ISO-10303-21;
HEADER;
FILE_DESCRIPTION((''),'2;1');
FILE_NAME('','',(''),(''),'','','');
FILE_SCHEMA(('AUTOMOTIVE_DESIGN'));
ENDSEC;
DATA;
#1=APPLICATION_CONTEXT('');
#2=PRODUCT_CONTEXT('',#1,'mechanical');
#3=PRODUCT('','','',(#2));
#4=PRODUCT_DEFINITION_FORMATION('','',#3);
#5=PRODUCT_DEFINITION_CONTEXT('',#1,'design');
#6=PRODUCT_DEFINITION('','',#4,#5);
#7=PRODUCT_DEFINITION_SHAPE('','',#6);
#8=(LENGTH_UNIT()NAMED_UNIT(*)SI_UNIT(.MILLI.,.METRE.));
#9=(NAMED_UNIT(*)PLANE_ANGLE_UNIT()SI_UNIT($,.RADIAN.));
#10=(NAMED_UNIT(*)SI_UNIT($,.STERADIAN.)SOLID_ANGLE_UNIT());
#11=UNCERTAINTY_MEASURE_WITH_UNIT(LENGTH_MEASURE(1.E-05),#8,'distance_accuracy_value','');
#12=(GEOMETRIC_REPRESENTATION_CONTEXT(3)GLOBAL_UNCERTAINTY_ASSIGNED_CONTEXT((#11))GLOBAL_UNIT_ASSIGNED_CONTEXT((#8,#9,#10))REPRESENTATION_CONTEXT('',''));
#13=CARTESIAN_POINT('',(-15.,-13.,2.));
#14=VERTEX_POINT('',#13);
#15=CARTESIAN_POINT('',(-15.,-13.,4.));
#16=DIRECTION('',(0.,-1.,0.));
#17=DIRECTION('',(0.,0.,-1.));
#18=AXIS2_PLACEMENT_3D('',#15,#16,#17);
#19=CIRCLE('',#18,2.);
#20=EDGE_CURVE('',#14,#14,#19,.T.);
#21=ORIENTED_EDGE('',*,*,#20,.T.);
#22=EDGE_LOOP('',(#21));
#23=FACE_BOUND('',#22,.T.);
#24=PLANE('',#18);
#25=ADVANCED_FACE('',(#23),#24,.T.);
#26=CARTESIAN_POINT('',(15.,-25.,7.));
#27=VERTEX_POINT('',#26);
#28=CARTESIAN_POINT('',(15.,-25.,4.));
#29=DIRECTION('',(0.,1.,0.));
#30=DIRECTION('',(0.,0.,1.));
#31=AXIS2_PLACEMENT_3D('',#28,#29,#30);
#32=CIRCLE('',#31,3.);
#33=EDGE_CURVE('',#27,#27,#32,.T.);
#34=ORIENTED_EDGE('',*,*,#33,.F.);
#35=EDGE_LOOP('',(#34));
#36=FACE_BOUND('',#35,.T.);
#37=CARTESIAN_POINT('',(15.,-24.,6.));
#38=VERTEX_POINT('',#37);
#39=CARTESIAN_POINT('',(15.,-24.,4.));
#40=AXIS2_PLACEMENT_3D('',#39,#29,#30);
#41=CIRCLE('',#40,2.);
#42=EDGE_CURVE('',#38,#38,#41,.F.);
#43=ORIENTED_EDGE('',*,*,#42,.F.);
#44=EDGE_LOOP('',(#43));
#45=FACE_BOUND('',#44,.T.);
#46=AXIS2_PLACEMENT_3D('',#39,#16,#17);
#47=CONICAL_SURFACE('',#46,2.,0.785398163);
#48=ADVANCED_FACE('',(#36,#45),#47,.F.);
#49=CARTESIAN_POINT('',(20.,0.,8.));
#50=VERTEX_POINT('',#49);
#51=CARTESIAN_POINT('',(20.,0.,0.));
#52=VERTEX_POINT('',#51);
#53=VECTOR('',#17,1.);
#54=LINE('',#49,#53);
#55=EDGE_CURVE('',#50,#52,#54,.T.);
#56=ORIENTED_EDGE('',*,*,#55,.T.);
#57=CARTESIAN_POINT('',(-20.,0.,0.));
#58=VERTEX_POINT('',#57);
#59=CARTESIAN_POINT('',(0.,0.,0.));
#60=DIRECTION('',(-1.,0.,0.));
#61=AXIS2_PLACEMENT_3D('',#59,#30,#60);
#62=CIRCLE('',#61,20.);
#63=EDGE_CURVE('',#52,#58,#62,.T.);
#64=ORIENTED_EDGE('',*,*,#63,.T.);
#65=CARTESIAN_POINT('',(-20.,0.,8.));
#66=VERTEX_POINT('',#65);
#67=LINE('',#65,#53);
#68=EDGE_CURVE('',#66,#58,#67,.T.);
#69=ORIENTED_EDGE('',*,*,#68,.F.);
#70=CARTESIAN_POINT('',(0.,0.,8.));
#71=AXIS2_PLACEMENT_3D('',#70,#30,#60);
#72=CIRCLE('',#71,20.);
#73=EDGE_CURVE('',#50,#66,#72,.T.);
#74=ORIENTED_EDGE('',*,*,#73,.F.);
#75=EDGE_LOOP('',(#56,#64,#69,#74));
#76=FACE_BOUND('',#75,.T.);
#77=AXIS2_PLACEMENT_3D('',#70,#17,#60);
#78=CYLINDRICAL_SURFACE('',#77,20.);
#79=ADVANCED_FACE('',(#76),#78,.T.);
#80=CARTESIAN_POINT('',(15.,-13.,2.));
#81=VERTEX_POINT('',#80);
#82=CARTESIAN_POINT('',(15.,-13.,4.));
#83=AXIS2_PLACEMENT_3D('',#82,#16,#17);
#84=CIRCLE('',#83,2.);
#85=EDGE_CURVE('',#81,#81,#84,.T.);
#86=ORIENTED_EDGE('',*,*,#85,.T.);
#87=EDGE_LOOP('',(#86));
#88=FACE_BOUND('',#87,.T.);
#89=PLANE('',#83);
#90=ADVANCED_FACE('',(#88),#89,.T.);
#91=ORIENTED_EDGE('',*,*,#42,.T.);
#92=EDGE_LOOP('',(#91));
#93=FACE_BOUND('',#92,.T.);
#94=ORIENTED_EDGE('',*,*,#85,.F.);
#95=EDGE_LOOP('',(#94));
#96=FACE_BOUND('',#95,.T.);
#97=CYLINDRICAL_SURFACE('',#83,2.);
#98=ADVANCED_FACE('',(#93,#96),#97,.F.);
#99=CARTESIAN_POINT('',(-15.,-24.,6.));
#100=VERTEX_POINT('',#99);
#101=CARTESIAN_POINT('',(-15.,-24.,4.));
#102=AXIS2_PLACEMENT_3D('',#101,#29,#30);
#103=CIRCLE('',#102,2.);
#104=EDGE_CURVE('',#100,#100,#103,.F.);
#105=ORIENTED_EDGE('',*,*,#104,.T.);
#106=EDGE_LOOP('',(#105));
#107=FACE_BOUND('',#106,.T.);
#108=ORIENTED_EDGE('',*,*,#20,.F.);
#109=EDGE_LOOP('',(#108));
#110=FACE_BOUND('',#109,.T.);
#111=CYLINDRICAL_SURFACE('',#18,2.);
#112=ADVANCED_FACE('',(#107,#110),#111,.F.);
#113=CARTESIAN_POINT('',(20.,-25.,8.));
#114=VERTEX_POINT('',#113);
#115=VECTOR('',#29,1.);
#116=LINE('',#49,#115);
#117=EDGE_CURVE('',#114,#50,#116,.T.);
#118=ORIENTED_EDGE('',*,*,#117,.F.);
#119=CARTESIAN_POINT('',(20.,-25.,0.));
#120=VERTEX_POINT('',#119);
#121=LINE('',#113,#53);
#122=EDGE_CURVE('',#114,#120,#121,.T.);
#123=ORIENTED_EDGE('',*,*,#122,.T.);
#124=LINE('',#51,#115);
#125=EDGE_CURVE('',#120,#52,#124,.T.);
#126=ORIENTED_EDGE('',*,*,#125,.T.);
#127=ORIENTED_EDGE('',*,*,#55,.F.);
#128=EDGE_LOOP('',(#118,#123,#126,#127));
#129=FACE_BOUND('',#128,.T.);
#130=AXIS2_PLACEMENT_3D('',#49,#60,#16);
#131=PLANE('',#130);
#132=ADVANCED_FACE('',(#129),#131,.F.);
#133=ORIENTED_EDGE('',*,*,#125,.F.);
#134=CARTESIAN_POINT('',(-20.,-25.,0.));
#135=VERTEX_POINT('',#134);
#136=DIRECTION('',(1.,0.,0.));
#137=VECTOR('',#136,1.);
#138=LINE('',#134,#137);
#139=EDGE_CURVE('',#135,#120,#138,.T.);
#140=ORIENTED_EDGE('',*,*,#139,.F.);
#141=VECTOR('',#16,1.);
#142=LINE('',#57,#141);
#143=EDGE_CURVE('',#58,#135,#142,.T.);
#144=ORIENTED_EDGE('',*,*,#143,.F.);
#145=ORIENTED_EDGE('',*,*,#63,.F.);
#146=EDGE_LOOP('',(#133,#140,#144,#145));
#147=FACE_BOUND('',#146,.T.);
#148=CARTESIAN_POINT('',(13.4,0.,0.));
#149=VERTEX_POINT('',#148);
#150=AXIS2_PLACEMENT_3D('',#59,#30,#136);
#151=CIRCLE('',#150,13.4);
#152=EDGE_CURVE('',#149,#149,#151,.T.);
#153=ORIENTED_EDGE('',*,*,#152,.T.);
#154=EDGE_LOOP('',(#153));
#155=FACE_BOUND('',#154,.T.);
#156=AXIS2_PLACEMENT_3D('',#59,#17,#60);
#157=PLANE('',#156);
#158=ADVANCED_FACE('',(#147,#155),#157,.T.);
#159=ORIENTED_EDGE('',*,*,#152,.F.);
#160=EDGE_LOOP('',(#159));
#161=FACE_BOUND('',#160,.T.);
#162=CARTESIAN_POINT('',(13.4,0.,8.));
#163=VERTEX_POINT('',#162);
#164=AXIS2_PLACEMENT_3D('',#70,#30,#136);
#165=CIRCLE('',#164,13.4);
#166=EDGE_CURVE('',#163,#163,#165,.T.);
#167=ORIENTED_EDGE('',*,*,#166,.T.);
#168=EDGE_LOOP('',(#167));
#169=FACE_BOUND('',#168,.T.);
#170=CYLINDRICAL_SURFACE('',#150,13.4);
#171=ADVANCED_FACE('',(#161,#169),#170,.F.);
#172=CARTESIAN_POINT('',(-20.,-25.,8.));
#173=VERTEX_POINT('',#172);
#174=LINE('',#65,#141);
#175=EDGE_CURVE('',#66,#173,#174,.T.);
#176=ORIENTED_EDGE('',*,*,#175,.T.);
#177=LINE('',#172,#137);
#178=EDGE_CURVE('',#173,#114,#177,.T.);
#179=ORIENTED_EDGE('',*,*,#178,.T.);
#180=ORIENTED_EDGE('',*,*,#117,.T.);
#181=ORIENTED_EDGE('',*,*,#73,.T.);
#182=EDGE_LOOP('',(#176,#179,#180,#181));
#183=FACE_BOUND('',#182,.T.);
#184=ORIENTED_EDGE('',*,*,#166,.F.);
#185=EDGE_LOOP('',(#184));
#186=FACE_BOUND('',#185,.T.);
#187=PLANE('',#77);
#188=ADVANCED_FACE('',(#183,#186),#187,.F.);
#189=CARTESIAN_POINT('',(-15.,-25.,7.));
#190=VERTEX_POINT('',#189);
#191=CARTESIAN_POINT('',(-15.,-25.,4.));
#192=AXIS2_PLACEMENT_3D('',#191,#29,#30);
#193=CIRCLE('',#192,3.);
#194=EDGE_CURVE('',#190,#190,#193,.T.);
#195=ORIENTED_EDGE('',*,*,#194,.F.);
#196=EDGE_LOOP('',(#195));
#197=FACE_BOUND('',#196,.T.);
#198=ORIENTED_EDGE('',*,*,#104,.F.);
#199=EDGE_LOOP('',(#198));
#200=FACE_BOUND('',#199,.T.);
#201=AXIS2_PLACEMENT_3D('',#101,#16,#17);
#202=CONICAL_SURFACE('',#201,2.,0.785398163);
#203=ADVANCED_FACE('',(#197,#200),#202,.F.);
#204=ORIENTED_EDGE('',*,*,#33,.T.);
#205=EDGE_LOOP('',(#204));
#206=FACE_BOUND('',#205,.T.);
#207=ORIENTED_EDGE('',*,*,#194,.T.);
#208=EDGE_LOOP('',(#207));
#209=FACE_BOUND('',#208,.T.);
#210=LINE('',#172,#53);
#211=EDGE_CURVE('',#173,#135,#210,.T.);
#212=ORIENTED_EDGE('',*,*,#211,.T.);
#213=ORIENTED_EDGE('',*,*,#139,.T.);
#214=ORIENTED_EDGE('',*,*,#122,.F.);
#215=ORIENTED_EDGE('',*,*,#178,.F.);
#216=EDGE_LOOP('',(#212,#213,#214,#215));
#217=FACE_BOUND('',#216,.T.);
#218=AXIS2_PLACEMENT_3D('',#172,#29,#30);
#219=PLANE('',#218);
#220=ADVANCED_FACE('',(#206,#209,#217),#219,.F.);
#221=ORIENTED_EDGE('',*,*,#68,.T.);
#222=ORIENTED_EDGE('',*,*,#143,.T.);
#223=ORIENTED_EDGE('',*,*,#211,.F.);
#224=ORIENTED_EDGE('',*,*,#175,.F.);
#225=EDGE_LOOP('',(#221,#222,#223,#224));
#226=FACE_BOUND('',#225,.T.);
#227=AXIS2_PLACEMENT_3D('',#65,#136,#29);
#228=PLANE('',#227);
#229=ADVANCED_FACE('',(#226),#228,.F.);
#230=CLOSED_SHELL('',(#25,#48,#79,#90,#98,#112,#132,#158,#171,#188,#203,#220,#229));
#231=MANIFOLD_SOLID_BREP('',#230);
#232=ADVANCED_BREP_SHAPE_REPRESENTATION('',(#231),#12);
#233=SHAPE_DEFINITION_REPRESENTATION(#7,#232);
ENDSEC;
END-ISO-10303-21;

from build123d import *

# Parameters (mm, degrees)
ESQUISSE1_R             = 7
ESQUISSE1_R_2           = 1.8
BOSS_EXTRU_1_DEPTH      = 8
ESQUISSE2_R             = 13.4
ENL_V_MAT_EXTRU_1_DEPTH = 9
ESQUISSE3_R             = 2
ENL_V_MAT_EXTRU_2_DEPTH = 12
CHANFREIN1_SIZE         = 1


with BuildPart() as part:
    # Esquisse1 → Boss.-Extru.1 (new body)
    with BuildSketch(Plane.XY):
        with BuildLine():
            Line((-20, 0), (-20, -25))
            Line((-20, -25), (20, -25))
            Line((20, -25), (20, 0))
            ThreePointArc((20, 0), (0, 20), (-20, 0))
        make_face()
        Circle(ESQUISSE1_R, mode=Mode.SUBTRACT)
        with Locations((0, 10)):
            Circle(ESQUISSE1_R_2, mode=Mode.SUBTRACT)
        with Locations((10, 0)):
            Circle(ESQUISSE1_R_2, mode=Mode.SUBTRACT)
        with Locations((0, -10)):
            Circle(ESQUISSE1_R_2, mode=Mode.SUBTRACT)
        with Locations((-10, 0)):
            Circle(ESQUISSE1_R_2, mode=Mode.SUBTRACT)
    extrude(amount=BOSS_EXTRU_1_DEPTH)

    # Esquisse2 → Enlèv. mat.-Extru.1 (cut, through all)
    with BuildSketch(Plane.XY.offset(8)):
        Circle(ESQUISSE2_R)
    extrude(amount=-ENL_V_MAT_EXTRU_1_DEPTH, mode=Mode.SUBTRACT)

    # Esquisse3 → Enlèv. mat.-Extru.2 (cut)
    with BuildSketch(Plane.XZ.offset(25)):
        with Locations((-15, 4)):
            Circle(ESQUISSE3_R)
        with Locations((15, 4)):
            Circle(ESQUISSE3_R)
    extrude(amount=-ENL_V_MAT_EXTRU_2_DEPTH, mode=Mode.SUBTRACT)

    # Chanfrein1
    chanfrein1_edges = [part.edges().sort_by_distance(p)[0] for p in [
        (-17, -25, 4),
        (13, -25, 4),
    ]]
    chamfer(chanfrein1_edges, length=CHANFREIN1_SIZE)


solid = part.part
